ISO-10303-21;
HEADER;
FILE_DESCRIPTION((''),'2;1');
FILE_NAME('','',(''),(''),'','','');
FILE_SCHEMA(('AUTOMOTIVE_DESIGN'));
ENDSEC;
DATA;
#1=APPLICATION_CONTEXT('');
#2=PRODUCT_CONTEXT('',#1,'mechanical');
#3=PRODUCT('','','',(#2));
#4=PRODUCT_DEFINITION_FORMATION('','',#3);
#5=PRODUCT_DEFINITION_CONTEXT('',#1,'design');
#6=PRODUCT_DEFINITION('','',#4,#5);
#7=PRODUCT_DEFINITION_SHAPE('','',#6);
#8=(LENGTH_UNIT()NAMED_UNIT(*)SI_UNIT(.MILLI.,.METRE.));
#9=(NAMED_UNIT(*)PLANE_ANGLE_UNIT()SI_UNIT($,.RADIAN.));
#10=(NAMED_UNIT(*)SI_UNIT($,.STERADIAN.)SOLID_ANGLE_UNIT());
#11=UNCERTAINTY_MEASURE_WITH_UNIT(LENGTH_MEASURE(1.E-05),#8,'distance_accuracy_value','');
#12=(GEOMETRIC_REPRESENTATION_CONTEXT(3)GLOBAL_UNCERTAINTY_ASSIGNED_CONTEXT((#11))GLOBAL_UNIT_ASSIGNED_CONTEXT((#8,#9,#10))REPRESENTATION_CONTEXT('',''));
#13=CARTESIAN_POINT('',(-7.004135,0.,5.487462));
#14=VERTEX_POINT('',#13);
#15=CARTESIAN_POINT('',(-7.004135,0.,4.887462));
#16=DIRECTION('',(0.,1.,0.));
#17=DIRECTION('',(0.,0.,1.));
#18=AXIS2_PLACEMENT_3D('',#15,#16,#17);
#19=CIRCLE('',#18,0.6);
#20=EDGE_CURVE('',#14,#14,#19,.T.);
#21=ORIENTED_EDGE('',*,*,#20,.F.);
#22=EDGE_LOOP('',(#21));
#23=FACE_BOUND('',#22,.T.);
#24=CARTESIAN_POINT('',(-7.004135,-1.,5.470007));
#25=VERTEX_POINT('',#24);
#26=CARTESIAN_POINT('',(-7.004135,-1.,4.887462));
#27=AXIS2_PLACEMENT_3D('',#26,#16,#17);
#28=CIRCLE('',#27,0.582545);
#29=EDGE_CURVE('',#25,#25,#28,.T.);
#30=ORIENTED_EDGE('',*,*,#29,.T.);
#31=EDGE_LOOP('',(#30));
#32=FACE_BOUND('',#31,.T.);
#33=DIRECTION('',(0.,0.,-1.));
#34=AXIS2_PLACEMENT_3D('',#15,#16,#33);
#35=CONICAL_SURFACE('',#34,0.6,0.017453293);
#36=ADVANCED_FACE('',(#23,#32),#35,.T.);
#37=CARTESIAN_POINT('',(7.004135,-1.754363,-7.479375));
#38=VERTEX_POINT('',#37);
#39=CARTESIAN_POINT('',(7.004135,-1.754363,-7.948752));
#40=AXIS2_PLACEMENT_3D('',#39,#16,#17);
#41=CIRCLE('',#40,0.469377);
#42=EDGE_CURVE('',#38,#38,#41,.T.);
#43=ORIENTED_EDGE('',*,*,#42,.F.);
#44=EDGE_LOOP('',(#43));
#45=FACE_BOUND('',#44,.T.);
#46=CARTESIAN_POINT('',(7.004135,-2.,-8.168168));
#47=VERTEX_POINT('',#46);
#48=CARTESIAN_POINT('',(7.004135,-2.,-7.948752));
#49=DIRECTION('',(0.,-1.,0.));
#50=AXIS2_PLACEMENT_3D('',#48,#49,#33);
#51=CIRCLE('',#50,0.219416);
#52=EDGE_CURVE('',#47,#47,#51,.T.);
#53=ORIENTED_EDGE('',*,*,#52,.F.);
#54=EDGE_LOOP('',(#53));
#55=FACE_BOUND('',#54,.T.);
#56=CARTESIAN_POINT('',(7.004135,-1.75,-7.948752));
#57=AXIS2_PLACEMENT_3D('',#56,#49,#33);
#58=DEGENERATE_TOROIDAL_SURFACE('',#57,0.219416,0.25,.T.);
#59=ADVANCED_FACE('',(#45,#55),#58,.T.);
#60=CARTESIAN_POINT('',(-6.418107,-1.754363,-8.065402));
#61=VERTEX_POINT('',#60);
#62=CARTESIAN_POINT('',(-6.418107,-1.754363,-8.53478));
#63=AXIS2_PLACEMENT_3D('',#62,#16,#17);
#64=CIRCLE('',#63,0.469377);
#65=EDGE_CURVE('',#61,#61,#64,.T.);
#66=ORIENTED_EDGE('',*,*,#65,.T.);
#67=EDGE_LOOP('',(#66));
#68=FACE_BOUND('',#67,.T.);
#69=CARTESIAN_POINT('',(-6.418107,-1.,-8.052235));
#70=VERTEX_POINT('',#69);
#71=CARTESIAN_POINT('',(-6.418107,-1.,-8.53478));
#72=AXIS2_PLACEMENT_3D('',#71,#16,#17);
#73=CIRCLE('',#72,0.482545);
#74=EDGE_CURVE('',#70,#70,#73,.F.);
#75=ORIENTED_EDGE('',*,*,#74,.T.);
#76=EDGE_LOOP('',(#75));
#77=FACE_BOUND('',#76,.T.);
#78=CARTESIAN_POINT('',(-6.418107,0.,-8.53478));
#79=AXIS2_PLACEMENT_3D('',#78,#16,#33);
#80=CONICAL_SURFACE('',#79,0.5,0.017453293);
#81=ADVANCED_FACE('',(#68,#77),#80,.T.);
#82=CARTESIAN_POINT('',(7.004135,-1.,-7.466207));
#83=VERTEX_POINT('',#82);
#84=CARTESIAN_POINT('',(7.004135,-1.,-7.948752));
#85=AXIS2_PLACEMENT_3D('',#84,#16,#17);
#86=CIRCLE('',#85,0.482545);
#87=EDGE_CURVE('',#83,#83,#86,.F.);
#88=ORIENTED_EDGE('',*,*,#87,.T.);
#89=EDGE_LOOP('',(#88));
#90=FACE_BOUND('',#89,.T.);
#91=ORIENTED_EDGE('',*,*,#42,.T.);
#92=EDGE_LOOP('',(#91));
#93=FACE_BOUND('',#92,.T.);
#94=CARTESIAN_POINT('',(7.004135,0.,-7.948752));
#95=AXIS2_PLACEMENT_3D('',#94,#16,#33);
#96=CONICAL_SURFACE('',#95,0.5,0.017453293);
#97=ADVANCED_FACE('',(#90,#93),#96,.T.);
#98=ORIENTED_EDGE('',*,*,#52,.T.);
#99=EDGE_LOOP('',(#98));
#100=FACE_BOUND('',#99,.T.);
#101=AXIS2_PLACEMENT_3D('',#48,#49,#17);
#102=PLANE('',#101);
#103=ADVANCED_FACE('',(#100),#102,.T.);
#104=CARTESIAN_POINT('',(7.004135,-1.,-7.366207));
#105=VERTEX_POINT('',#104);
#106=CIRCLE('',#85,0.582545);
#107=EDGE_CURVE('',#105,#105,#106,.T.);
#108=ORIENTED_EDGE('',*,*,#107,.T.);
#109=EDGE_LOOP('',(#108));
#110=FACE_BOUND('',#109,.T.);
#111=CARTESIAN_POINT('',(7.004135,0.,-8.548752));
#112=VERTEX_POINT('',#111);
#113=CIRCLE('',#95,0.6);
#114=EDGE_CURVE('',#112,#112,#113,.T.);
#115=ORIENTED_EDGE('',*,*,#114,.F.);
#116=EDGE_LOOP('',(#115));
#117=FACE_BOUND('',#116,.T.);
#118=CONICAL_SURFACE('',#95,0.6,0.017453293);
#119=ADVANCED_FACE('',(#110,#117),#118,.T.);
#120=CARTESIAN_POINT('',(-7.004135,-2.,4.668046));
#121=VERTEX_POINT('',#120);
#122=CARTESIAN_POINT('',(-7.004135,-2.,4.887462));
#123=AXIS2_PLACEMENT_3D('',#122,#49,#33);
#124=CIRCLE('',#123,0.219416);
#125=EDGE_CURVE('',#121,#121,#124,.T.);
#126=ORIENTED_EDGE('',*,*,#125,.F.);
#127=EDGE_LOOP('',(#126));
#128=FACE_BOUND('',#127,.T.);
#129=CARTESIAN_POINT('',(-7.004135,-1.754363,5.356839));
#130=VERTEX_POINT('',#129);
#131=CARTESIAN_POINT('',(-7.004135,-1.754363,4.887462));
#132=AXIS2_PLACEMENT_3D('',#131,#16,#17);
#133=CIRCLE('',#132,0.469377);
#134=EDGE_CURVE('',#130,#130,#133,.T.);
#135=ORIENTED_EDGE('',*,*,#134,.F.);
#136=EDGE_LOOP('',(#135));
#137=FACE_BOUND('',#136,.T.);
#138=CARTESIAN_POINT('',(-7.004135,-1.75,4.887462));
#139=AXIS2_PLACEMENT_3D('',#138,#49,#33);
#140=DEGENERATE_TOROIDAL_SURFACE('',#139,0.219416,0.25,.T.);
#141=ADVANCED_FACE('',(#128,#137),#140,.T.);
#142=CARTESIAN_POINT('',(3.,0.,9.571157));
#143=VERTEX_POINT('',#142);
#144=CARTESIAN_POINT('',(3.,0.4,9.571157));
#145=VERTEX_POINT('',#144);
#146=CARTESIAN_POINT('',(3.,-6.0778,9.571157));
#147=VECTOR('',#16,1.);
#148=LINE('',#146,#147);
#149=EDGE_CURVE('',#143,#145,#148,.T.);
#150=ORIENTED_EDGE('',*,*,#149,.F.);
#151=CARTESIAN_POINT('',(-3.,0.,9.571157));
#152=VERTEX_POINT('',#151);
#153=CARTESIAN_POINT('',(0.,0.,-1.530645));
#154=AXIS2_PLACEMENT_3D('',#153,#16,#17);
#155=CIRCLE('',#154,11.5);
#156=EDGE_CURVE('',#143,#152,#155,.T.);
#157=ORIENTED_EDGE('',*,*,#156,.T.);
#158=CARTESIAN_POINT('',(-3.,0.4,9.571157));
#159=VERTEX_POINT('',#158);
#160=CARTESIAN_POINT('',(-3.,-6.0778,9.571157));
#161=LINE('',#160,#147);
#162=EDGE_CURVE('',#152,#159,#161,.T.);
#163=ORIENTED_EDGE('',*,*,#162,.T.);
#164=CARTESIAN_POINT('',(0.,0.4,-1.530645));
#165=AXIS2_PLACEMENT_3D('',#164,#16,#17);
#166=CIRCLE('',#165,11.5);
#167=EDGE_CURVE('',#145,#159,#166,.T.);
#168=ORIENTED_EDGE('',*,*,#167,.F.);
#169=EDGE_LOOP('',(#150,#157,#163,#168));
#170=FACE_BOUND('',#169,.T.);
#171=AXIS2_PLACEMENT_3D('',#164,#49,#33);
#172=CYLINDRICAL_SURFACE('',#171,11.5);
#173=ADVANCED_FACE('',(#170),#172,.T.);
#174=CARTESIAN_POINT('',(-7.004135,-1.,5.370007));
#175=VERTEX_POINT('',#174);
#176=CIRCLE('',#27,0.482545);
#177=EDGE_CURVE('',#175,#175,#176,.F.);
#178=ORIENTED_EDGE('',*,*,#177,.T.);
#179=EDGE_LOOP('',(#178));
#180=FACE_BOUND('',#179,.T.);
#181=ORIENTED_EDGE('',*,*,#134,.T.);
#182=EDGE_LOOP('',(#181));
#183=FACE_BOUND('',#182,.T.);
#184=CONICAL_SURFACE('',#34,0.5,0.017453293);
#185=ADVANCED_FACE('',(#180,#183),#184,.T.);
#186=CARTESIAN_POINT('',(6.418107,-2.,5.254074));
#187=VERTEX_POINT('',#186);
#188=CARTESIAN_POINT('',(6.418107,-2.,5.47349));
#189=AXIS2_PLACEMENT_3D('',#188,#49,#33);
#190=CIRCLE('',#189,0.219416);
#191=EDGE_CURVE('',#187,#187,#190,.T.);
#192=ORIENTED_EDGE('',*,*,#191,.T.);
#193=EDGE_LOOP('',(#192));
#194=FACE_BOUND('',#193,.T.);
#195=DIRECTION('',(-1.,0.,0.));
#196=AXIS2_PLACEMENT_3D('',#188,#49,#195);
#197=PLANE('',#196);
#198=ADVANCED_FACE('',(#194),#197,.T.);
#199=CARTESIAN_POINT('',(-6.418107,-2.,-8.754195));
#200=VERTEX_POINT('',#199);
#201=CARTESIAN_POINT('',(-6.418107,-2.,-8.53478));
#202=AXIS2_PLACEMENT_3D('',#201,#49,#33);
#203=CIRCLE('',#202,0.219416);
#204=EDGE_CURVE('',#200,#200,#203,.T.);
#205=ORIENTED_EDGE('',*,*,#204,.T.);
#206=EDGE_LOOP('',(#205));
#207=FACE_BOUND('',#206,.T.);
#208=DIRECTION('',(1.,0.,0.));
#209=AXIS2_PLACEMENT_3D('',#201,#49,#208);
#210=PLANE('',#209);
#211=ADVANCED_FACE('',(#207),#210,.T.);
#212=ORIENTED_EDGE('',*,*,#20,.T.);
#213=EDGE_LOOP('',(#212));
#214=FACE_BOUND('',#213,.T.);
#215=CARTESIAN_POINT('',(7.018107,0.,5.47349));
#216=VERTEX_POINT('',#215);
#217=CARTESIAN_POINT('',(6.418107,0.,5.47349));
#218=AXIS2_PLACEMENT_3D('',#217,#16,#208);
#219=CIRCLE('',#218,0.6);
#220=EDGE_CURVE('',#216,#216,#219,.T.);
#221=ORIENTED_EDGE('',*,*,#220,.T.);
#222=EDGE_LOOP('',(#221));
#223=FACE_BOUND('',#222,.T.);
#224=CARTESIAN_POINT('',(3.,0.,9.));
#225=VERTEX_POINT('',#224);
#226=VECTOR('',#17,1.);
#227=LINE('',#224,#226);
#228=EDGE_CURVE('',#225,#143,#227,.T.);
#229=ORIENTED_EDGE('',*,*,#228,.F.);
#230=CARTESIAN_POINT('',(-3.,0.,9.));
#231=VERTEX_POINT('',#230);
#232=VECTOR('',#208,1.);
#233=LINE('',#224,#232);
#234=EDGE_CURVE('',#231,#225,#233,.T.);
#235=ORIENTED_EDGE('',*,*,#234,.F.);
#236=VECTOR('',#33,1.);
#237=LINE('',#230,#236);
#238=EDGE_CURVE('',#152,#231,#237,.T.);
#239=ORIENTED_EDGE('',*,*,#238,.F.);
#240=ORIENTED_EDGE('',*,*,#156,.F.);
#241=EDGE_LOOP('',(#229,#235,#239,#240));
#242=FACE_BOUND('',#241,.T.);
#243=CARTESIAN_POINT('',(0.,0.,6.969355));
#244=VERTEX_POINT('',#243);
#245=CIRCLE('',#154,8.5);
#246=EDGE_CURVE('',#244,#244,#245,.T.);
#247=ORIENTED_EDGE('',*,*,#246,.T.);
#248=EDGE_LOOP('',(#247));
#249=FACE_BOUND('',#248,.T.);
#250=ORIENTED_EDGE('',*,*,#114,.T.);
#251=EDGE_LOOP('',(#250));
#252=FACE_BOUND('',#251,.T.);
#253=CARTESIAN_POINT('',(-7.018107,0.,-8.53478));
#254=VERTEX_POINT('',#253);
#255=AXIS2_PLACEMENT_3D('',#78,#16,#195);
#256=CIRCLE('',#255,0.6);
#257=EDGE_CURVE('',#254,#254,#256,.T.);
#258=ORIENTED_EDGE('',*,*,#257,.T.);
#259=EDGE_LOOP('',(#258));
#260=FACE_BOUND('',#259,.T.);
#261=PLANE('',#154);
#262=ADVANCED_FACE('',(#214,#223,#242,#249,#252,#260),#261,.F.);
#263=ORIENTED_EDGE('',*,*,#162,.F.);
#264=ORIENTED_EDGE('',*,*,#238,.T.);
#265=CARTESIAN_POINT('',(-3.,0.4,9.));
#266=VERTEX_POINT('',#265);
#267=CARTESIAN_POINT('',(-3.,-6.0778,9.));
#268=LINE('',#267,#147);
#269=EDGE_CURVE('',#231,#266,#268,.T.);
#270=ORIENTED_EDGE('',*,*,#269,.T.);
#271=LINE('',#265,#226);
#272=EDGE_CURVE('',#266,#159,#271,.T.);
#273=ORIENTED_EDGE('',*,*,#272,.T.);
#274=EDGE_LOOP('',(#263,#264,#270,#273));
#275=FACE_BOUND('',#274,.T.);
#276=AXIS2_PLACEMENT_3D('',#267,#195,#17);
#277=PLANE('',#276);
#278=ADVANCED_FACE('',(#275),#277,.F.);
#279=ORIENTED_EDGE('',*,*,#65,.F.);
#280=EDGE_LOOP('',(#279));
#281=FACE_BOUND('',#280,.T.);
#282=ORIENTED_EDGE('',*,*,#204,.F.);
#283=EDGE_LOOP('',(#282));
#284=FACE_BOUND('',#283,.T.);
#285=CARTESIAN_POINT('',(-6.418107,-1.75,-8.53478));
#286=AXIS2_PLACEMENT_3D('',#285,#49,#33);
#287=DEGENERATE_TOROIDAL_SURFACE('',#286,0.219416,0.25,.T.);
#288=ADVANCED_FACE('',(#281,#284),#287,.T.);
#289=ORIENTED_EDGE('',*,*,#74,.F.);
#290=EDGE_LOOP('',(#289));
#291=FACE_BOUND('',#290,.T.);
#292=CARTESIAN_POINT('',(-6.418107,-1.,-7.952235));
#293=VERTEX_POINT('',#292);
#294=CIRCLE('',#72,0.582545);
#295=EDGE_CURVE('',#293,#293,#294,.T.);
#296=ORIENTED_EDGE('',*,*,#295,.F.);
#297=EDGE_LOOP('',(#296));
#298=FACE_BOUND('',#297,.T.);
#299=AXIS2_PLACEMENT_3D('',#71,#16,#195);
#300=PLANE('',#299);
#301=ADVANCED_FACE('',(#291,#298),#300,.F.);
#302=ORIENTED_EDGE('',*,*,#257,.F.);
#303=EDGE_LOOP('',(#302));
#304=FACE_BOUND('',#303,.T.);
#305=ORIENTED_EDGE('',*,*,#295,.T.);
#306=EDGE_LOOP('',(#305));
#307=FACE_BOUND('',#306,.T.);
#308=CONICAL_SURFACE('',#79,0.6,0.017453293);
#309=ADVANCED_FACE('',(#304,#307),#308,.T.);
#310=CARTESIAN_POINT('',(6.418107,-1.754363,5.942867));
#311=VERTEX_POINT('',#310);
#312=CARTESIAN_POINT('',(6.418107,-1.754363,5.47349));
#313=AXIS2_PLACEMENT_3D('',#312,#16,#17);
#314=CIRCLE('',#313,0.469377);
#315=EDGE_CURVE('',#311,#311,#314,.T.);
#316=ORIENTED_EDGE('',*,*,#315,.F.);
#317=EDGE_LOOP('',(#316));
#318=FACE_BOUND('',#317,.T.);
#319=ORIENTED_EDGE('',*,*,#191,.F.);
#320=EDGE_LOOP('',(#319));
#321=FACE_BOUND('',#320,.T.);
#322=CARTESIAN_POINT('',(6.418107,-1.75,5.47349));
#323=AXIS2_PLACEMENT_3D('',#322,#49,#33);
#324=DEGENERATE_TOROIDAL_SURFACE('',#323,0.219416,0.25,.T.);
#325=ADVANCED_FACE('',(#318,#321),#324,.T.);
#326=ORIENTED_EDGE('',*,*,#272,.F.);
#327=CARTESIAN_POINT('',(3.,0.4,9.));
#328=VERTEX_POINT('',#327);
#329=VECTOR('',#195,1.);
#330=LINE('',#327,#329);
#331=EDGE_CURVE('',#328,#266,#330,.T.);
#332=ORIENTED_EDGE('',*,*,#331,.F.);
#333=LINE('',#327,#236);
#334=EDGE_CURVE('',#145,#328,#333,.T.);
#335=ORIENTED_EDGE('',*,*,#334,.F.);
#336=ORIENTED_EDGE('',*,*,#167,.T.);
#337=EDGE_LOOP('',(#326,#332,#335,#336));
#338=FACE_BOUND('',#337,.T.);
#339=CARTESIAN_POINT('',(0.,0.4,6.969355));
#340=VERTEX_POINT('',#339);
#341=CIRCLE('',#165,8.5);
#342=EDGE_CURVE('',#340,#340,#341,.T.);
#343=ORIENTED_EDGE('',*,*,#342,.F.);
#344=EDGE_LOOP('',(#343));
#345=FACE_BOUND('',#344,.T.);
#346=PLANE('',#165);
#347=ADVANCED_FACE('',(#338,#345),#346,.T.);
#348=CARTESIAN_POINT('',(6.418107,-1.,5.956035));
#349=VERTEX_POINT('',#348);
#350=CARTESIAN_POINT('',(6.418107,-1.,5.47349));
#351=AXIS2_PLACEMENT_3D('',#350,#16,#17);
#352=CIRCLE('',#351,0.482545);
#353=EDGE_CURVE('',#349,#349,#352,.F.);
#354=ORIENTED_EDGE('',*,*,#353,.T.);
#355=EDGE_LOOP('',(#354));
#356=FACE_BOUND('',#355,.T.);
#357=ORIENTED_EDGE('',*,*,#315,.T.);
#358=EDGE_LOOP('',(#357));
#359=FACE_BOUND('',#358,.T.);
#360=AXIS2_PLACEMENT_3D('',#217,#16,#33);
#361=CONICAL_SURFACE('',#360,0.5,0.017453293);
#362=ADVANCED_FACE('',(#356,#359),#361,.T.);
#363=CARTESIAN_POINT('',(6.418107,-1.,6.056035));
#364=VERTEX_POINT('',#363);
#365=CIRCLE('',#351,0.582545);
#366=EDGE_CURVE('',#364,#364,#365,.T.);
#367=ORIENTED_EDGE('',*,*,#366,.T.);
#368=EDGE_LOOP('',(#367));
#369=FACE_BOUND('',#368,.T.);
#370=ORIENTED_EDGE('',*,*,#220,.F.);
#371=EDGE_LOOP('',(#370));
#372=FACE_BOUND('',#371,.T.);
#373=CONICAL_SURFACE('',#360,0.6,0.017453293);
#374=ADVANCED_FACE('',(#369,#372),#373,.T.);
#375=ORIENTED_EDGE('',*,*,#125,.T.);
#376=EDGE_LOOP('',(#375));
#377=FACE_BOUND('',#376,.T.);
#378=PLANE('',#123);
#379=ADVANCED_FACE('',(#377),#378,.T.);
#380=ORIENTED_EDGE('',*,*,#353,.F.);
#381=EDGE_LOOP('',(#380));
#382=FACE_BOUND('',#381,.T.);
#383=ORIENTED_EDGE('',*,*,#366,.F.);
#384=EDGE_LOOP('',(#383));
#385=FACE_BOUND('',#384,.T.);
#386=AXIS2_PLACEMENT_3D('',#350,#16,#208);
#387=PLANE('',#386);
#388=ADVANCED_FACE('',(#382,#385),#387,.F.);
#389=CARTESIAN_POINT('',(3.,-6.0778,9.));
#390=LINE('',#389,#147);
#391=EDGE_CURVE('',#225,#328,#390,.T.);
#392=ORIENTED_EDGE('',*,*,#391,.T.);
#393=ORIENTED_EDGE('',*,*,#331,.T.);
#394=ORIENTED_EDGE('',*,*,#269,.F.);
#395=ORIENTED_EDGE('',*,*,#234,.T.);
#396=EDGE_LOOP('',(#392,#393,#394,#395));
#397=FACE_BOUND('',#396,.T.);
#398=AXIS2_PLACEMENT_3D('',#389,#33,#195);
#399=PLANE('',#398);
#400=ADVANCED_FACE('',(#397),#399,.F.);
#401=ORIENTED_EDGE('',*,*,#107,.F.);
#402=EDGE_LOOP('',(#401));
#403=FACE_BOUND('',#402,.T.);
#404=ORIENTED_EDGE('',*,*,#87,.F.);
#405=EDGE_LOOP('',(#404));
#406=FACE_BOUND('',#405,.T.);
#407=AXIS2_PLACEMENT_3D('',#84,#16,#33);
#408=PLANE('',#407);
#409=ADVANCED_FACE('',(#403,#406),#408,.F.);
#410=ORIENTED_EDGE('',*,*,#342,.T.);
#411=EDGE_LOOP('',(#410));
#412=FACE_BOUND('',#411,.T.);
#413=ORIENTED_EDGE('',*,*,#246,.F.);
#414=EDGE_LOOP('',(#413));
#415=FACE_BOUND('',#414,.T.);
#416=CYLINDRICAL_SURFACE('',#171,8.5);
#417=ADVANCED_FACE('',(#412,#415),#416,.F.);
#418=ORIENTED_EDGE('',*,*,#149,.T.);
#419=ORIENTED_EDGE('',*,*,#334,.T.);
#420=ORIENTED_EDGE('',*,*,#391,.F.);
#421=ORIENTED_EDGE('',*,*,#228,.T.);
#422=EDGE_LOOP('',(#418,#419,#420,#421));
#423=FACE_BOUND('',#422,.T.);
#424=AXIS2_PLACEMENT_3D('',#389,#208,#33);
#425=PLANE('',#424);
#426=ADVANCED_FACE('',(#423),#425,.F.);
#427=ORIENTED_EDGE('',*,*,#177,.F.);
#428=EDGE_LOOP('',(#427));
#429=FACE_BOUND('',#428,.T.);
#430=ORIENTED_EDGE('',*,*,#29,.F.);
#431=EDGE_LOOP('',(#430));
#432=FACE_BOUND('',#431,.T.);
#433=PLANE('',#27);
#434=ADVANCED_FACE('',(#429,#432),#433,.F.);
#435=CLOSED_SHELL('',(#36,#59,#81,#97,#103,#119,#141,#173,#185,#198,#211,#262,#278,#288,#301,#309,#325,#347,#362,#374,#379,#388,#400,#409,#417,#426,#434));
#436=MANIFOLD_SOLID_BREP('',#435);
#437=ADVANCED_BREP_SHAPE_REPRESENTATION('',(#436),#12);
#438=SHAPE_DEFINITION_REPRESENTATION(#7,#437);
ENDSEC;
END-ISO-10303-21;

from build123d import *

# Parameters (mm, degrees)
SKETCH1_R           = 11.5
SKETCH1_R_2         = 8.5
BOSS_EXTRUDE1_DEPTH = 0.4
SKETCH2_R           = 0.6
BOSS_EXTRUDE2_DEPTH = 1
SKETCH3_R           = 0.5
BOSS_EXTRUDE3_DEPTH = 1
CIRPATTERN1_COUNT   = 4
DRAFT1_ANGLE        = 1
FILLET1_R           = 0.25
CUT_EXTRUDE1_START  = -0.4
CUT_EXTRUDE1_DEPTH  = 0.4


with BuildPart() as part:
    # Sketch1 → Boss-Extrude1 (new body)
    with BuildSketch(Plane(origin=(0, 0, 0), x_dir=(1, 0, 0), z_dir=(0, 1, 0))):
        with Locations(Location((0, 1.53064501, 0), (0, 0, 270))):
            Circle(SKETCH1_R)
        with Locations(Location((0, 1.53064501, 0), (0, 0, 270))):
            Circle(SKETCH1_R_2, mode=Mode.SUBTRACT)
    extrude(amount=BOSS_EXTRUDE1_DEPTH)

    # Sketch2 → Boss-Extrude2 (add)
    with BuildSketch(Plane(origin=(0, 0, 0), x_dir=(1, 0, 0), z_dir=(0, 1, 0))):
        with Locations(Location((-7.0041347, -4.887461962, 0), (0, 0, 270))):
            Circle(SKETCH2_R)
    boss_extrude2 = extrude(amount=-BOSS_EXTRUDE2_DEPTH)

    # Sketch3 → Boss-Extrude3 (add)
    with BuildSketch(Plane.XZ.offset(1)):
        with Locations(Location((-7.0041347, 4.887461962, 0), (0, 0, 270))):
            Circle(SKETCH3_R)
    boss_extrude3 = extrude(amount=BOSS_EXTRUDE3_DEPTH)

    # CirPattern1: Boss-Extrude2, Boss-Extrude3 ×4 about axis
    cirpattern1_axis = Axis((0, 0, -1.53064501), (0, 1, 0))
    add([boss_extrude2.rotate(cirpattern1_axis, i * 360 / CIRPATTERN1_COUNT) for i in range(1, CIRPATTERN1_COUNT)])
    add([boss_extrude3.rotate(cirpattern1_axis, i * 360 / CIRPATTERN1_COUNT) for i in range(1, CIRPATTERN1_COUNT)])

    # Draft1
    draft1_faces = [part.faces().sort_by_distance(p)[0] for p in [
        (5.818106972, -0.5, 5.47348969),
        (6.918106972, -1.5, 5.47348969),
        (7.0041347, -0.5, -7.348751982),
        (7.0041347, -1.5, -8.448751982),
        (-5.818106972, -0.5, -8.53477971),
        (-6.918106972, -1.5, -8.53477971),
        (-7.0041347, -0.5, 4.287461962),
        (-7.0041347, -1.5, 5.387461962),
    ]]
    draft(draft1_faces, Plane(origin=(0, 0, -1.53064501), x_dir=(0, 0, -1), z_dir=(0, -1, 0)), DRAFT1_ANGLE)

    # Fillet1
    fillet1_edges = [part.edges().sort_by_distance(p)[0] for p in [
        (-7.0041347, -2, 5.352551832),
        (-6.883196842, -2, -8.53477971),
        (7.0041347, -2, -8.413841852),
        (6.883196842, -2, 5.47348969),
    ]]
    fillet(fillet1_edges, radius=FILLET1_R)

    # Sketch6 → Cut-Extrude1 (cut)
    with BuildSketch(Plane(origin=(0, 0.4, 0), x_dir=(1, 0, 0), z_dir=(0, 1, 0)).offset(CUT_EXTRUDE1_START)):
        with BuildLine():
            Line((3, -9), (-3, -9))
            Line((-3, -9), (-3, -9.571156646))
            ThreePointArc((-3, -9.571156646), (0, -9.96935499), (3, -9.571156646))
            Line((3, -9.571156646), (3, -9))
        make_face()
    extrude(amount=CUT_EXTRUDE1_DEPTH, mode=Mode.SUBTRACT)


solid = part.part
